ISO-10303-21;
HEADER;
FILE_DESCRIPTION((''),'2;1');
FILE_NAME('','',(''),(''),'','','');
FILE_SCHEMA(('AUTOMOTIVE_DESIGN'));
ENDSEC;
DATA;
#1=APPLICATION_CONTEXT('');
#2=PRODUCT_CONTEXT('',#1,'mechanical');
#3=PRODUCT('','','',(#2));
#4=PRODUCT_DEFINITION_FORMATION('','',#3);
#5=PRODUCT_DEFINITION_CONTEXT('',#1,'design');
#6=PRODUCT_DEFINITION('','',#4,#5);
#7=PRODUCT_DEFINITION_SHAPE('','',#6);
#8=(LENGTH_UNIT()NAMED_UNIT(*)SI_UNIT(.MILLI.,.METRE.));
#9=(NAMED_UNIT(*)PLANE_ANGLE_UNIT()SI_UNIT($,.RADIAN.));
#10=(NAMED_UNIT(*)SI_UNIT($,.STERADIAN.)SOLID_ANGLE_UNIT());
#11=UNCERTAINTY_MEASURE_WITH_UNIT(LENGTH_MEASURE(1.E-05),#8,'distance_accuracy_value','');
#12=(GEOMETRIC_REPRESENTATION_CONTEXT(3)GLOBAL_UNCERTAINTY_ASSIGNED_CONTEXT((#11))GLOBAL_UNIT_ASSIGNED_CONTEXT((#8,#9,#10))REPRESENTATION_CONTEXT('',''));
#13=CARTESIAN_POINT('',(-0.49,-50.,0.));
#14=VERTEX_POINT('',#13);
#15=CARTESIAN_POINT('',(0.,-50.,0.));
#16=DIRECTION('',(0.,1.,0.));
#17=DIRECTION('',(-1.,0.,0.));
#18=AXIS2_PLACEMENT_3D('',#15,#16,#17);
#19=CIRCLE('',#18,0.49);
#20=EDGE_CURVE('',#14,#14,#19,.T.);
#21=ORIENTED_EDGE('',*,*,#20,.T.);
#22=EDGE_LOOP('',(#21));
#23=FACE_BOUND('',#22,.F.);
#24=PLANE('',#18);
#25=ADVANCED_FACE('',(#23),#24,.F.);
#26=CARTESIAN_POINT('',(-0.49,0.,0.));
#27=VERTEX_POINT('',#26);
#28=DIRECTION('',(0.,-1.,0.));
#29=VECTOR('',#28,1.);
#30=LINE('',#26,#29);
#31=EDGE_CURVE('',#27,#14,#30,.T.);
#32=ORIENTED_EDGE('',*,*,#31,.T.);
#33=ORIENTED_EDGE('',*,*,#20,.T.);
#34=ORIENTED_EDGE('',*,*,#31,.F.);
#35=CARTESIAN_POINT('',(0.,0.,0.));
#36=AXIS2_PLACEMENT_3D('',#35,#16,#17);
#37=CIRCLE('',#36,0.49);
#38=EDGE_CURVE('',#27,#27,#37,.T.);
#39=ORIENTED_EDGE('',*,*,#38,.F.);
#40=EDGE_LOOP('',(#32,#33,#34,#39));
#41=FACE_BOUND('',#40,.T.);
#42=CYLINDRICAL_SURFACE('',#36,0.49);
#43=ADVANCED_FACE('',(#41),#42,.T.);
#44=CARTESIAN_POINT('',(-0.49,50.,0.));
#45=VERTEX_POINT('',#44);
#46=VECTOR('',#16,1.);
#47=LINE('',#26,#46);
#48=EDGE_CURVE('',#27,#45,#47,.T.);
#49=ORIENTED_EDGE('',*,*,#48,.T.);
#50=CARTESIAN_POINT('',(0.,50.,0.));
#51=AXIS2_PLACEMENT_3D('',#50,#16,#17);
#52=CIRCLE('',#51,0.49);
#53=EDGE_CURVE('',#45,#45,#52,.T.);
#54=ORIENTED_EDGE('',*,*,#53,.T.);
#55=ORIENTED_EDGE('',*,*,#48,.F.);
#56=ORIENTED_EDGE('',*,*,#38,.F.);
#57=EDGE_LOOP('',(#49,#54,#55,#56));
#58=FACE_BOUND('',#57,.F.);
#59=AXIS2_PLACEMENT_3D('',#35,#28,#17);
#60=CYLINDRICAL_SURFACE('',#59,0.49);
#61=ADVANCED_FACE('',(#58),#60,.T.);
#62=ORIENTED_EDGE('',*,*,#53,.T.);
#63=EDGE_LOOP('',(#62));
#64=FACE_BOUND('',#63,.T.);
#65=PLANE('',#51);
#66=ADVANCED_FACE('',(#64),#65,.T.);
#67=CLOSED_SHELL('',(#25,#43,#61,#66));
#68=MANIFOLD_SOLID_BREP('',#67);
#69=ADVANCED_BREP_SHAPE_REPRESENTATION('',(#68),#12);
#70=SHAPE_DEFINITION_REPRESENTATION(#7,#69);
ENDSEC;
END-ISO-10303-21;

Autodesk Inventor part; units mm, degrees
ref_plane "YZ Plane" through (0, 0, 0) normal (1, 0, 0) x (0, 1, 0)
ref_plane "XZ Plane" through (0, 0, 0) normal (0, 1, 0) x (-1, 0, 0)
sketch "Sketch1" plane through (0, 0, 0) normal (0, 1, 0) x (-1, 0, 0)
  circle A0 centre (0, 0) radius 0.5 projected
  circle A1 centre (0, 0) radius 0.49
  point P0 (0, 0)
  dimension "d2" = 0.01
ref_plane "Work Plane1" through (-3, -48, -90) normal (0, -1, 0) x (1, 0, 0)
extrude "Extrusion1" add sketch "Sketch1" along normal blind 50 and the other way blind 50 contours A1
properties part number "RodCenter" material "Stainless Steel"
